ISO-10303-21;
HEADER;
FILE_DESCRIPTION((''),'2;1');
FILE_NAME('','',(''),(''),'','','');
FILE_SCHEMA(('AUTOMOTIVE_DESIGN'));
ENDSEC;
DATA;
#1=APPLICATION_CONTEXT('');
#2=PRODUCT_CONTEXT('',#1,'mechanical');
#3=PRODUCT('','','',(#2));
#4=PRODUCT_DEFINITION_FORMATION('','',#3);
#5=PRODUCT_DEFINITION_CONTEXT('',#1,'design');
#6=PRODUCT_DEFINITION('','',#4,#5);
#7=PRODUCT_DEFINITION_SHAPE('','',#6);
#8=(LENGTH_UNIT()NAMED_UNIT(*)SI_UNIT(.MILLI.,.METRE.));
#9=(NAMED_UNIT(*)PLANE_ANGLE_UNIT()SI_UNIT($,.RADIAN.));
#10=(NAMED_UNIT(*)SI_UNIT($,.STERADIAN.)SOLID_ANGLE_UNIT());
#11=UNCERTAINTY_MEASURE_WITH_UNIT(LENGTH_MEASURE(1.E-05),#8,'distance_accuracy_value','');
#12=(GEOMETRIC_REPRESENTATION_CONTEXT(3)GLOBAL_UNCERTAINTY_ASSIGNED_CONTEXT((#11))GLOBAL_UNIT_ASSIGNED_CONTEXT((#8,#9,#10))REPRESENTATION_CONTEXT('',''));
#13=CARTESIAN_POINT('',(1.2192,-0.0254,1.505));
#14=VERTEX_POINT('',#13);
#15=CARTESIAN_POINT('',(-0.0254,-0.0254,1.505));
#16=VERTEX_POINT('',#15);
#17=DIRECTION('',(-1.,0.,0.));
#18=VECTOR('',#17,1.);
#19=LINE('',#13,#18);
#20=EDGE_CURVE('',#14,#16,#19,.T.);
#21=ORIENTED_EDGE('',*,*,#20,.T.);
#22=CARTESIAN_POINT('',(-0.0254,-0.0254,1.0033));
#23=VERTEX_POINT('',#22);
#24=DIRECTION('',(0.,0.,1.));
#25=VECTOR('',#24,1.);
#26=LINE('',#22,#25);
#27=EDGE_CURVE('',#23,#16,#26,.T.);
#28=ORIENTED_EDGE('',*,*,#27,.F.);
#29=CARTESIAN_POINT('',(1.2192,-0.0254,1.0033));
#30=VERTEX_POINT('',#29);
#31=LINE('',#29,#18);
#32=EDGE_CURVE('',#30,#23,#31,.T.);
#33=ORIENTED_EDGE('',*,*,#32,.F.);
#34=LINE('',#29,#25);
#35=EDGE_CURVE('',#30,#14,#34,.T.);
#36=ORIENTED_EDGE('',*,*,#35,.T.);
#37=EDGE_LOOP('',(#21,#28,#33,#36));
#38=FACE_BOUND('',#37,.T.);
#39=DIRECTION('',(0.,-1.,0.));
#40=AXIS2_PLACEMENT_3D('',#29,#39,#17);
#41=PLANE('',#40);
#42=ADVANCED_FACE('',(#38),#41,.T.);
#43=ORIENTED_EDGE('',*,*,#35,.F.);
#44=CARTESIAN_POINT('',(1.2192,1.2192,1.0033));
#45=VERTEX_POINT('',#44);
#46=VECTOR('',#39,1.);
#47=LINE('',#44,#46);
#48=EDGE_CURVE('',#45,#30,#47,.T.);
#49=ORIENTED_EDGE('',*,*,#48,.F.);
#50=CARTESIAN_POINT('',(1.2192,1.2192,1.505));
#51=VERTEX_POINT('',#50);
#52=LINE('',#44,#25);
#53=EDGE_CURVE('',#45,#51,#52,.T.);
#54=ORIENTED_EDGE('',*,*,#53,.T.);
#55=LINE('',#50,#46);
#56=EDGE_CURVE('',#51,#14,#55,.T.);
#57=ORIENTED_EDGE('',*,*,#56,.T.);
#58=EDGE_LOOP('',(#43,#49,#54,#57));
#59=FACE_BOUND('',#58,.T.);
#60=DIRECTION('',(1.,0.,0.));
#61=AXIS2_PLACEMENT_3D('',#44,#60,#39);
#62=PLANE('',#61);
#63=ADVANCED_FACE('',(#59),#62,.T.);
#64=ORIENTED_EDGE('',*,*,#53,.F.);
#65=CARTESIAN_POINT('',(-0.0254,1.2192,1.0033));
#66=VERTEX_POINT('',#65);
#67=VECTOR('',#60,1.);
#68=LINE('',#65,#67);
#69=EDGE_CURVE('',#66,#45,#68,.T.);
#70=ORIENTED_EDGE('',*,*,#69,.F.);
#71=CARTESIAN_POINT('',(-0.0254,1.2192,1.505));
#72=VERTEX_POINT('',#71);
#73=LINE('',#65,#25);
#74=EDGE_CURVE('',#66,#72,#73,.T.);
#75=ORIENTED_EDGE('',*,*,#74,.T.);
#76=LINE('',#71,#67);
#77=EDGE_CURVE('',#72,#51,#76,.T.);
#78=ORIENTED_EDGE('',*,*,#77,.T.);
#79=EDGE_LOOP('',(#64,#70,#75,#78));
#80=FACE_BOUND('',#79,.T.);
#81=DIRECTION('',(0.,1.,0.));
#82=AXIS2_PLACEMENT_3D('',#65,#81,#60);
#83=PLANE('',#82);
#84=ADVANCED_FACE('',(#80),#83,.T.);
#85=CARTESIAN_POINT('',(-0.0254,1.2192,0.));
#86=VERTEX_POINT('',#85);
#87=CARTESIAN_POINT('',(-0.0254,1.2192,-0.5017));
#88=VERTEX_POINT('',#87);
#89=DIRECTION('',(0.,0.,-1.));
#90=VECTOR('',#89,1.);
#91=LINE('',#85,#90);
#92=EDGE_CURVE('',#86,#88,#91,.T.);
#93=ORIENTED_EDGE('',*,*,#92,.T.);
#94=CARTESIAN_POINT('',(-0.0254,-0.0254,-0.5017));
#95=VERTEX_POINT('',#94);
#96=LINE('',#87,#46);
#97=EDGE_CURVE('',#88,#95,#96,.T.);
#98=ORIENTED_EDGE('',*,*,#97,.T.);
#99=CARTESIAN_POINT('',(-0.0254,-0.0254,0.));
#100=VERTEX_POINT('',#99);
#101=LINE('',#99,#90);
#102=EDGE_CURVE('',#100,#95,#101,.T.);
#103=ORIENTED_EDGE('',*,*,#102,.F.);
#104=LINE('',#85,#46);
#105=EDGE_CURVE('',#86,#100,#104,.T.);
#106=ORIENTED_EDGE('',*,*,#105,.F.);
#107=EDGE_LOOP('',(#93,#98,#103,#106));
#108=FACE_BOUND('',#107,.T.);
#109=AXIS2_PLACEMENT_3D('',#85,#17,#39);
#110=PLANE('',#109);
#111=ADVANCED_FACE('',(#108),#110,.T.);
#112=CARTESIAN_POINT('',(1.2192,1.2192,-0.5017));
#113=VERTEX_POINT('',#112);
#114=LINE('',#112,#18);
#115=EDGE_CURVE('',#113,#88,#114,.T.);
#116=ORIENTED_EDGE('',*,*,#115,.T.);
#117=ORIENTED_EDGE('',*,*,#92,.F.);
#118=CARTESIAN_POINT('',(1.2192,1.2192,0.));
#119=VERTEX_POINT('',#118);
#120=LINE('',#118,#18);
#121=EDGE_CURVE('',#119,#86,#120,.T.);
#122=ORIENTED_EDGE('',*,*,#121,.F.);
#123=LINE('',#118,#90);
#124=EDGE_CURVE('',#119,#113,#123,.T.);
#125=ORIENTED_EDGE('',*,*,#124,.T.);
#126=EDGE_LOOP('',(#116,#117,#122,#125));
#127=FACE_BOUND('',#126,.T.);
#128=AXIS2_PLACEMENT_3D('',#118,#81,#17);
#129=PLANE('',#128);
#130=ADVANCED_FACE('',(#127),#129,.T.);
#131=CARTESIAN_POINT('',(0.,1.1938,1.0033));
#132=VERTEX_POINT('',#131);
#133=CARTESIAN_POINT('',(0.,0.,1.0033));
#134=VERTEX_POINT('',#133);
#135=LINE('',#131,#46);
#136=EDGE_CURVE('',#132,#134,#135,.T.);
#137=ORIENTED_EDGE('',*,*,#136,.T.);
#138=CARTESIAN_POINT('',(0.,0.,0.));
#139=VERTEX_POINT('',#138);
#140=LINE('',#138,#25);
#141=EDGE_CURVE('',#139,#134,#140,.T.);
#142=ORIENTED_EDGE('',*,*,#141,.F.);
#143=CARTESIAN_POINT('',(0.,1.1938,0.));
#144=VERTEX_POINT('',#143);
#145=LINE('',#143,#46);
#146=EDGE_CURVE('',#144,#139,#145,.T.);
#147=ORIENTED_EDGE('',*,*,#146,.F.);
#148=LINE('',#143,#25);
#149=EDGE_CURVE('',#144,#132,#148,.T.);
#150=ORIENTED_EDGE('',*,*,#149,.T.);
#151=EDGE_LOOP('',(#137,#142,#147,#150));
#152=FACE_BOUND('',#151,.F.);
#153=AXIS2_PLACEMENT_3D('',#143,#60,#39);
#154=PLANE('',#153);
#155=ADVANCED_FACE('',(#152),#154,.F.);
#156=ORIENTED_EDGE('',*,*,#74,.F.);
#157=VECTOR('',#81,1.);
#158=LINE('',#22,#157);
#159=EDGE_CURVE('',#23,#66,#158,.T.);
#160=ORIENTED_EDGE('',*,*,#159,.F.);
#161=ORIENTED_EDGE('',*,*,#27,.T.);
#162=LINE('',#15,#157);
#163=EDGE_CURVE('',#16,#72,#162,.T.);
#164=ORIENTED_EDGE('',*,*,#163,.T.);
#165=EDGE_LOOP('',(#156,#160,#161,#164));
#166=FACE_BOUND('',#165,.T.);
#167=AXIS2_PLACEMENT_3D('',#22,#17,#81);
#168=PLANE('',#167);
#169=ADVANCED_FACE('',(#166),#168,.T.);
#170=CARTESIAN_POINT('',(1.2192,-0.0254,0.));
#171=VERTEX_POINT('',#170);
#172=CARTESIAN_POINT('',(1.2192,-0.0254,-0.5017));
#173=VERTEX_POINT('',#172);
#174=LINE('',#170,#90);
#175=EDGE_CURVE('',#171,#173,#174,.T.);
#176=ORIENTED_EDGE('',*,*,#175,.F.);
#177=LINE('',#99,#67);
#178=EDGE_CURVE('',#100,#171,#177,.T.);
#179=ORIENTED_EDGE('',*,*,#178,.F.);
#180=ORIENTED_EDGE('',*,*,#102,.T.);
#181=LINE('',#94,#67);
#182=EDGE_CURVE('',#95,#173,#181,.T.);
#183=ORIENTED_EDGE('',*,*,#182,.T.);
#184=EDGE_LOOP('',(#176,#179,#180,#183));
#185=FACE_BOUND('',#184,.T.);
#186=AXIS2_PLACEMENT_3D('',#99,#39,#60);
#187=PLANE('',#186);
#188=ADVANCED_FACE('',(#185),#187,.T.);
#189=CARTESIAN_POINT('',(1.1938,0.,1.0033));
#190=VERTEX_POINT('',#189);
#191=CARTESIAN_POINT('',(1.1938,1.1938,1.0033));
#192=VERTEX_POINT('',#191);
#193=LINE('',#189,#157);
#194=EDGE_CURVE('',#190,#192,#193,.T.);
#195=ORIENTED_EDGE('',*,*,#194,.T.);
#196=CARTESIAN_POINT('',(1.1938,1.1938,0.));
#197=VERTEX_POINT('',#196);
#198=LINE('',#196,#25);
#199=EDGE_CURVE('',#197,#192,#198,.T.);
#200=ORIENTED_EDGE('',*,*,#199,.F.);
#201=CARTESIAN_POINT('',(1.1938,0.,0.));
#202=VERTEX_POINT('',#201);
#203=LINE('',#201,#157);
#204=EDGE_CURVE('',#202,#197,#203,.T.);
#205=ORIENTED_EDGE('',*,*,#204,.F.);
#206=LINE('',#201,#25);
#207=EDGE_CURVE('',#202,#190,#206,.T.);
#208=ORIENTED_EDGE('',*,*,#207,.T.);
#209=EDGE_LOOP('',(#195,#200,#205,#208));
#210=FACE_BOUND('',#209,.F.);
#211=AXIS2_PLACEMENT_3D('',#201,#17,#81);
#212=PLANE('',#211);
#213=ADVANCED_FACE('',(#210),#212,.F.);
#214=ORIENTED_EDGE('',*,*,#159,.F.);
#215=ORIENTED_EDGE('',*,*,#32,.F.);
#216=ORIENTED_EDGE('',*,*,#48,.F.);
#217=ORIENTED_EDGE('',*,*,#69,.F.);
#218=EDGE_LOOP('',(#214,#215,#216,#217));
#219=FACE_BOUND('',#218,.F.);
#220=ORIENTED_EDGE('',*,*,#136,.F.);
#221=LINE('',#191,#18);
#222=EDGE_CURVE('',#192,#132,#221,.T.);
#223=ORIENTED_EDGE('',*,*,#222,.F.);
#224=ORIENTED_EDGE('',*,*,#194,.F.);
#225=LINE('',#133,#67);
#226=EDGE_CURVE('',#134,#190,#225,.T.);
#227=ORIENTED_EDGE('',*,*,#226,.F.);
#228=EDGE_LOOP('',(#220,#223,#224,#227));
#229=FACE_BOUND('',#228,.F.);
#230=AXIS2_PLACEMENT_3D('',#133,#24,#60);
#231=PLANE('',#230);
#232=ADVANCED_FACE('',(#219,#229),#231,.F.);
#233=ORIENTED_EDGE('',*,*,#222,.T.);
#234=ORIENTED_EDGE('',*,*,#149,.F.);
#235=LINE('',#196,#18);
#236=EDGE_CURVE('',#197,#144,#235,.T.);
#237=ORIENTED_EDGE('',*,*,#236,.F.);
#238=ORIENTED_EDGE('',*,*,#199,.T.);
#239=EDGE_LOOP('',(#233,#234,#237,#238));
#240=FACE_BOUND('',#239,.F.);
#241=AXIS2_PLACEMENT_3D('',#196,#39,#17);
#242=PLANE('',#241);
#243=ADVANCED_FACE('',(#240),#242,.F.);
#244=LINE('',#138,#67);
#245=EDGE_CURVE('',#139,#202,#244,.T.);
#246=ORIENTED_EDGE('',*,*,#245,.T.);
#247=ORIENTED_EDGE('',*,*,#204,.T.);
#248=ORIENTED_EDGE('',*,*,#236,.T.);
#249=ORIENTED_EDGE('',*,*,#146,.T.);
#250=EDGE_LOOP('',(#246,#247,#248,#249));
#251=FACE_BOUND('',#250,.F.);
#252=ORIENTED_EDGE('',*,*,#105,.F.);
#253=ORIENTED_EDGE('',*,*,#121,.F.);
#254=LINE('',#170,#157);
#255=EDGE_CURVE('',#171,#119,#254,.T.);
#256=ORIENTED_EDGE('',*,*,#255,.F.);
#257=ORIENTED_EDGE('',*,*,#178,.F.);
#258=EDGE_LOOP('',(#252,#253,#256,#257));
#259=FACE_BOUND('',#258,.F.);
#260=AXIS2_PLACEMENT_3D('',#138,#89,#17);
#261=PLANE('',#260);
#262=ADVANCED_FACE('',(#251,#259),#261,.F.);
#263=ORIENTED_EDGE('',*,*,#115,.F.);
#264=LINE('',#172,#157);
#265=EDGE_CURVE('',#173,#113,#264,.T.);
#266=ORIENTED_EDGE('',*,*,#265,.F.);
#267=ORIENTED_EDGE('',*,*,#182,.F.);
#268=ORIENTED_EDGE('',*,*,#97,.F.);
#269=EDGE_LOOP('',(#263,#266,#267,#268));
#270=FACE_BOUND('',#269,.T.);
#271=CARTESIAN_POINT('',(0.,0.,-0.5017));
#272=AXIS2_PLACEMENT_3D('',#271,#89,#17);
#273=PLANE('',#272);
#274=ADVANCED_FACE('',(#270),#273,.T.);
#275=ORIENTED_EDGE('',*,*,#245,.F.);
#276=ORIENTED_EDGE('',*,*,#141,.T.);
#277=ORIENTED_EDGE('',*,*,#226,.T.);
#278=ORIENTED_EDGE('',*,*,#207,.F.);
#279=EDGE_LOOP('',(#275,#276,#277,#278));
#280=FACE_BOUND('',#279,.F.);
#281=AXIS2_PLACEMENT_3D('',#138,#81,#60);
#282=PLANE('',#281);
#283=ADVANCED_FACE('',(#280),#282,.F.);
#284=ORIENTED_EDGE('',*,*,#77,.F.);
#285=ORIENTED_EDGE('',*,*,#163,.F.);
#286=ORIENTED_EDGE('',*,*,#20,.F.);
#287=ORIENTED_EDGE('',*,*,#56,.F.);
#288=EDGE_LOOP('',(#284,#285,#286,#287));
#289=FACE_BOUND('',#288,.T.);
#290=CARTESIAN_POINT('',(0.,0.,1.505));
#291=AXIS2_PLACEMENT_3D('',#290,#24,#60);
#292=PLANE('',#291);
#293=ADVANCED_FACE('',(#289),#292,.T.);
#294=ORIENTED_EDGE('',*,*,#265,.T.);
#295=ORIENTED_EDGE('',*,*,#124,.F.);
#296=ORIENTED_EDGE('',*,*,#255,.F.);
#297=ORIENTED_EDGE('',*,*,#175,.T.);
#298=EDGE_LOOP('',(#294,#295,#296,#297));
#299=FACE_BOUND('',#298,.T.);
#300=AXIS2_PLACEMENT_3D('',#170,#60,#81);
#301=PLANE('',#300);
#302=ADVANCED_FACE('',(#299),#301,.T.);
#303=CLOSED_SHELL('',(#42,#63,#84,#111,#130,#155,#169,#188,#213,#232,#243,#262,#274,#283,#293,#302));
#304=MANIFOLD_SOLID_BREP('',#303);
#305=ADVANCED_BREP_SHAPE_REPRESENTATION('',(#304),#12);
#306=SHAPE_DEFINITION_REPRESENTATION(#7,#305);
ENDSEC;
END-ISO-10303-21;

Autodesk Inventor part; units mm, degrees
ref_plane "YZ Plane" through (0, 0, 0) normal (1, 0, 0) x (0, 1, 0)
ref_plane "XZ Plane" through (0, 0, 0) normal (0, 1, 0) x (-1, 0, 0)
ref_plane "XY Plane" through (0, 0, 0) normal (0, 0, 1) x (1, 0, 0)
sketch "Sketch1" plane through (0, 0, 0) normal (0, 0, 1) x (1, 0, 0)
  line L0 (0, 0) -> (1.1938, 0)
  line L1 (1.1938, 0) -> (1.1938, 1.1938)
  line L2 (1.1938, 1.1938) -> (0, 1.1938)
  line L3 (0, 1.1938) -> (0, 0)
  dimension "d0" = 1.1938
  dimension "d1" = 1.1938
extrude "Extrusion1" add sketch "Sketch1" along normal blind 1.0033
sketch "Sketch2" plane through (0, 0, 1.0033) normal (0, 0, 1) x (1, 0, 0)
  line L0 (-0.0254, 1.2192) -> (1.2192, 1.2192)
  line L1 (1.2192, 1.2192) -> (1.2192, -0.0254)
  line L2 (1.2192, -0.0254) -> (-0.0254, -0.0254)
  line L3 (-0.0254, -0.0254) -> (-0.0254, 1.2192)
  line L4 (1.1938, 0) -> (1.1938, 1.1938) projected
  line L5 (0, 1.1938) -> (0, 0) projected
  line L6 (1.1938, 1.1938) -> (0, 1.1938) projected
  line L7 (0, 0) -> (1.1938, 0) projected
  dimension "d4" = 0.0254
  dimension "d5" = 0.0254
  dimension "d6" = 0.0254
  dimension "d7" = 0.0254
extrude "Extrusion2" add sketch "Sketch2" along normal blind 0.5017 contours L0 L1 L2 L3 | L7 L5 L6 L4
sketch "Sketch3" plane through (0, 0, 0) normal (0, 0, -1) x (-1, 0, 0)
  line L0 (-1.2192, 1.2192) -> (0.0254, 1.2192)
  line L1 (0.0254, 1.2192) -> (0.0254, -0.0254)
  line L2 (0.0254, -0.0254) -> (-1.2192, -0.0254)
  line L3 (-1.2192, -0.0254) -> (-1.2192, 1.2192)
  point P0 (0, 0)
extrude "Extrusion3" add sketch "Sketch3" along normal blind 0.5017
properties part number "s1uF Capacitor"
